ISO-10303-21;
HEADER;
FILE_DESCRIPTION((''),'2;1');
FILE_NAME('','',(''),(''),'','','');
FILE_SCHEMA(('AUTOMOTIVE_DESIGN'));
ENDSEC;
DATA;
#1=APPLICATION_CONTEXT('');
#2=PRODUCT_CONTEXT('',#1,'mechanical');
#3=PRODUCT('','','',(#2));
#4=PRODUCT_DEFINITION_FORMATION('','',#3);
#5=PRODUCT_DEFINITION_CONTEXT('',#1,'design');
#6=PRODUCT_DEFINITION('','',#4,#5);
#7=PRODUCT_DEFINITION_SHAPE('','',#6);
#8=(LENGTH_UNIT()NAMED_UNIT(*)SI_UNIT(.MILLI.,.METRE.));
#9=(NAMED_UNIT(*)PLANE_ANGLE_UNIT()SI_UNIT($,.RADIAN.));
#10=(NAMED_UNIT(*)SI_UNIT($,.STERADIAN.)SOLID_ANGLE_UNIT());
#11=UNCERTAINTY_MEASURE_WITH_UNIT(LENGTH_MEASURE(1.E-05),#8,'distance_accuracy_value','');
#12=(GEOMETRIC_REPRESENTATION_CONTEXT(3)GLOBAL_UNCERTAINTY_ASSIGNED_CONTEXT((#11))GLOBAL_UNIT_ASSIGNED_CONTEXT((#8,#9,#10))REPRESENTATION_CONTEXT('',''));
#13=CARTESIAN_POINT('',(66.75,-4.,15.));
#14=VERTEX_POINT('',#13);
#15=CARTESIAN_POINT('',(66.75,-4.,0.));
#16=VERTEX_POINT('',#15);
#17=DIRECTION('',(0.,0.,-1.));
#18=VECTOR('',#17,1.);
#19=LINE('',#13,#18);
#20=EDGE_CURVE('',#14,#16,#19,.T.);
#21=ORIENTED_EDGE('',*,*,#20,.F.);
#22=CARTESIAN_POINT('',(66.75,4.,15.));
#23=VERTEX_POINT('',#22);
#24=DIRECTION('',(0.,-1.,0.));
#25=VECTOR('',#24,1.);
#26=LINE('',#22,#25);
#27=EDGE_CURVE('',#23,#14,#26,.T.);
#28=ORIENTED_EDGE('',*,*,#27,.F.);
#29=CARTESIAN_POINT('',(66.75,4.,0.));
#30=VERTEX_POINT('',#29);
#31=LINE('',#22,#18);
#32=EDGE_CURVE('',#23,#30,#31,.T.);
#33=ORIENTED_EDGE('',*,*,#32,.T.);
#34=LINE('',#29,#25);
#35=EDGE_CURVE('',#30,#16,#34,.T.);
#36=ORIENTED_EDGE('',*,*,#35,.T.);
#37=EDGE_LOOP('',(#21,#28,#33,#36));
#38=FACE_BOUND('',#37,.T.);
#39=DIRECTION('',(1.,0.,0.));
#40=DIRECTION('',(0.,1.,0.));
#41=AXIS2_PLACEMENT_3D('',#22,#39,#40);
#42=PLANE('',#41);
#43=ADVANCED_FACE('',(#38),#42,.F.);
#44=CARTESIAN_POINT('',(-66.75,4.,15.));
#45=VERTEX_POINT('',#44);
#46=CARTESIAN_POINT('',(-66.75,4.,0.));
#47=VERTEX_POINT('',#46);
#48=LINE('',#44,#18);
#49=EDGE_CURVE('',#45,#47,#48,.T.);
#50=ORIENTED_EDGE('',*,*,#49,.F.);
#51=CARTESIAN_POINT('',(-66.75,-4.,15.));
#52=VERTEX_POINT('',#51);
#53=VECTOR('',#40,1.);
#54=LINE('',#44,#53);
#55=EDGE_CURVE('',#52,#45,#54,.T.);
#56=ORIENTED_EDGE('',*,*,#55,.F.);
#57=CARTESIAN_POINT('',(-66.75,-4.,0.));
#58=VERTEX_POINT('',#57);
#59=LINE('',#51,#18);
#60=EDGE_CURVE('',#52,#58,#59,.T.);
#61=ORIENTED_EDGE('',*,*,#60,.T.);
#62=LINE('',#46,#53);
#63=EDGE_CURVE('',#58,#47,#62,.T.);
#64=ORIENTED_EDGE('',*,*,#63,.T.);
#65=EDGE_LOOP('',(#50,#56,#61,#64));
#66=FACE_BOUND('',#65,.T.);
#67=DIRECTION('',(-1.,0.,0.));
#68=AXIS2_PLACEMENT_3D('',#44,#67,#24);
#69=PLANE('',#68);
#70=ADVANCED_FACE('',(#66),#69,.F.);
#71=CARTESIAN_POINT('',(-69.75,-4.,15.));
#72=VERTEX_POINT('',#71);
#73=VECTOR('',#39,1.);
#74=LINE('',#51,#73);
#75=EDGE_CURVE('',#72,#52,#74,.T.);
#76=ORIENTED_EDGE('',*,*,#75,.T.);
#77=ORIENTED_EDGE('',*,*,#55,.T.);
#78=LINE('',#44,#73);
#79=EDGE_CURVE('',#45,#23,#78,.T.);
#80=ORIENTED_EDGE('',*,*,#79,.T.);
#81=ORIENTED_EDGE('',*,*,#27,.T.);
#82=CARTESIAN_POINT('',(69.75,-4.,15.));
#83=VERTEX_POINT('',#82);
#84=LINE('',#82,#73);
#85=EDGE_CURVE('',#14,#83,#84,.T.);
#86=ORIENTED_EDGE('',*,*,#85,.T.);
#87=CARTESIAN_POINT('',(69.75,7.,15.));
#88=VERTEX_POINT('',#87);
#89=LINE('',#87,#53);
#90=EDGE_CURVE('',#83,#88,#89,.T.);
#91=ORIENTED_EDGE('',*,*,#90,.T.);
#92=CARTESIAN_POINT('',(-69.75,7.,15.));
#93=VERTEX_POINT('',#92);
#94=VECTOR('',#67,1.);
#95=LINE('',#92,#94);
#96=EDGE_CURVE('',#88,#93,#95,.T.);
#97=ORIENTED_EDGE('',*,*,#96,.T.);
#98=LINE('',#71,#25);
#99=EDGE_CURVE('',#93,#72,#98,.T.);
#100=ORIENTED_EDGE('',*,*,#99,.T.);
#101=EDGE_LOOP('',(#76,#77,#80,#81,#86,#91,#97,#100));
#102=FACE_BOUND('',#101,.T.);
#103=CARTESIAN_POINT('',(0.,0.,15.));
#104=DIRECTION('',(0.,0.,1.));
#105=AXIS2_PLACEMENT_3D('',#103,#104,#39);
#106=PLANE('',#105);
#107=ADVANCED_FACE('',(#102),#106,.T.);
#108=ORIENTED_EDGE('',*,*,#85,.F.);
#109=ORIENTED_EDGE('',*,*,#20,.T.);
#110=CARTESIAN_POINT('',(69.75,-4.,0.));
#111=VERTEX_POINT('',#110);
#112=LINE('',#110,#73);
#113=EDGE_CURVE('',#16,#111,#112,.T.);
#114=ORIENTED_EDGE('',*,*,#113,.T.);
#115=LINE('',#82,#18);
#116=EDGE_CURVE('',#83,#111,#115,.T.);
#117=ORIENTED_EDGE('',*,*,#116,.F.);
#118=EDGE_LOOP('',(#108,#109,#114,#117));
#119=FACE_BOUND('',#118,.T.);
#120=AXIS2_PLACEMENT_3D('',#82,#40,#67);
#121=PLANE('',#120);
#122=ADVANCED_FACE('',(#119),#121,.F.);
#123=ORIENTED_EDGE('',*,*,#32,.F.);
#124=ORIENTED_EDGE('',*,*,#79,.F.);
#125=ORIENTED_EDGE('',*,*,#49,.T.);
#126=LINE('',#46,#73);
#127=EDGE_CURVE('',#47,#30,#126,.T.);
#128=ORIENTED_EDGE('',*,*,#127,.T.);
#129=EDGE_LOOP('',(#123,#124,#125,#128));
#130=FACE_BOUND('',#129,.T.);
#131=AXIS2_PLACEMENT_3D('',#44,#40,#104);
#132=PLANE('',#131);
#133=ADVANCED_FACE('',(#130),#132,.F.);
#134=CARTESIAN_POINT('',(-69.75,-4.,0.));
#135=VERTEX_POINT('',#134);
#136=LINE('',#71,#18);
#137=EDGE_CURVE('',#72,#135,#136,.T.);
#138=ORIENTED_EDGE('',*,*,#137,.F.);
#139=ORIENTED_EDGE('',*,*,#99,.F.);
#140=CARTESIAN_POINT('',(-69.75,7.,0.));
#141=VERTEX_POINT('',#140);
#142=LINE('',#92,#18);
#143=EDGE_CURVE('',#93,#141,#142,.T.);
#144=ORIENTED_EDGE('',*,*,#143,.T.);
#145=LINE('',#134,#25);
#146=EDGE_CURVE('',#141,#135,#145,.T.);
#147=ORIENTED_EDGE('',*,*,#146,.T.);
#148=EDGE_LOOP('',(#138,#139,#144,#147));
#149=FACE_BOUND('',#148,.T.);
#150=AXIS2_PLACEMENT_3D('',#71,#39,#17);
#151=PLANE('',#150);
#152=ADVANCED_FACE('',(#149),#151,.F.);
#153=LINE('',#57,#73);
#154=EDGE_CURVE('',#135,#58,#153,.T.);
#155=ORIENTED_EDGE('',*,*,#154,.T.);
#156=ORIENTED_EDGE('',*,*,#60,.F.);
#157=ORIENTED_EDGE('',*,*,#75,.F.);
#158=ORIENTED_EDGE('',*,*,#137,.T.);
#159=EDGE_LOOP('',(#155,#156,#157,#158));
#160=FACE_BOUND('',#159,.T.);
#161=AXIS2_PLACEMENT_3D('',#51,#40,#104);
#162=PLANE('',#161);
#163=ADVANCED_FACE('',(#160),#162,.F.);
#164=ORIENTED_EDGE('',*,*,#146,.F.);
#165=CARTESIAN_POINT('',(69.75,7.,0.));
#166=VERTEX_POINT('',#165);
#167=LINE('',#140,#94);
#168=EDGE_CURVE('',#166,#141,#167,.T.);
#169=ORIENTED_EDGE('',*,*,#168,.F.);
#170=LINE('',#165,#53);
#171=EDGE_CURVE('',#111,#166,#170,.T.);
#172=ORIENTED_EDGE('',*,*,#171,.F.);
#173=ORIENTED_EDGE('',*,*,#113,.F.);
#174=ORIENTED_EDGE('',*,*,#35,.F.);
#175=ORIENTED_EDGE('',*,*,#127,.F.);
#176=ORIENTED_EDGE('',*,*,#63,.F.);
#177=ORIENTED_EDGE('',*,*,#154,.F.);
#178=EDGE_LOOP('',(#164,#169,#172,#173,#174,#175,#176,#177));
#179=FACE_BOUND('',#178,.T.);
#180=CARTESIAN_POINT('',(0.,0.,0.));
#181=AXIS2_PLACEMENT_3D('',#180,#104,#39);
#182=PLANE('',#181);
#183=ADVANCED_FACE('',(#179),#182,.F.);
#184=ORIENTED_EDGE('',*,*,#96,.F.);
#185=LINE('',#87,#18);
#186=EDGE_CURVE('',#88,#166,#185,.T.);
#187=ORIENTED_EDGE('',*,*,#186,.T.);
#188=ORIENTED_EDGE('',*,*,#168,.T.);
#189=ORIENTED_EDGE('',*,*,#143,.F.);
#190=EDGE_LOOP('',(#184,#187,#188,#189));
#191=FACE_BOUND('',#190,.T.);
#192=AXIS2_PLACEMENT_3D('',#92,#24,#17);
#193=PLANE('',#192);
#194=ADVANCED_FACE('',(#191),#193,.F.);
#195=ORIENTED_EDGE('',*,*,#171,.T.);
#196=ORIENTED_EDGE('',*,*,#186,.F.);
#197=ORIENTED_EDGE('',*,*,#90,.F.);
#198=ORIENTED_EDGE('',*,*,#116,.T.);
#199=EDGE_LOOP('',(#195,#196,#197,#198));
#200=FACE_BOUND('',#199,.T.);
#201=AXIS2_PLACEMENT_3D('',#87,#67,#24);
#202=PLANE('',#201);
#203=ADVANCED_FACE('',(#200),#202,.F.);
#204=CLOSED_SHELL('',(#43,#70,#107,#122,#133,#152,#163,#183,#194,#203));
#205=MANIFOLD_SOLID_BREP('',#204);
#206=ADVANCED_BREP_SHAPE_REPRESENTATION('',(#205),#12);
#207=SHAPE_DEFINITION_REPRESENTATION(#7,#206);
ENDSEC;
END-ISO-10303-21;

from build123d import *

# Parameters (mm, degrees)
BOSS_EXTRUDE1_DEPTH = 15


with BuildPart() as part:
    # Sketch1 → Boss-Extrude1 (new body)
    with BuildSketch(Plane.XY):
        Polygon((-66.75, -4), (-69.75, -4), (-69.75, 7), (69.75, 7), (69.75, -4), (66.75, -4), (66.75, 4), (-66.75, 4), align=None)
    extrude(amount=BOSS_EXTRUDE1_DEPTH)


solid = part.part
